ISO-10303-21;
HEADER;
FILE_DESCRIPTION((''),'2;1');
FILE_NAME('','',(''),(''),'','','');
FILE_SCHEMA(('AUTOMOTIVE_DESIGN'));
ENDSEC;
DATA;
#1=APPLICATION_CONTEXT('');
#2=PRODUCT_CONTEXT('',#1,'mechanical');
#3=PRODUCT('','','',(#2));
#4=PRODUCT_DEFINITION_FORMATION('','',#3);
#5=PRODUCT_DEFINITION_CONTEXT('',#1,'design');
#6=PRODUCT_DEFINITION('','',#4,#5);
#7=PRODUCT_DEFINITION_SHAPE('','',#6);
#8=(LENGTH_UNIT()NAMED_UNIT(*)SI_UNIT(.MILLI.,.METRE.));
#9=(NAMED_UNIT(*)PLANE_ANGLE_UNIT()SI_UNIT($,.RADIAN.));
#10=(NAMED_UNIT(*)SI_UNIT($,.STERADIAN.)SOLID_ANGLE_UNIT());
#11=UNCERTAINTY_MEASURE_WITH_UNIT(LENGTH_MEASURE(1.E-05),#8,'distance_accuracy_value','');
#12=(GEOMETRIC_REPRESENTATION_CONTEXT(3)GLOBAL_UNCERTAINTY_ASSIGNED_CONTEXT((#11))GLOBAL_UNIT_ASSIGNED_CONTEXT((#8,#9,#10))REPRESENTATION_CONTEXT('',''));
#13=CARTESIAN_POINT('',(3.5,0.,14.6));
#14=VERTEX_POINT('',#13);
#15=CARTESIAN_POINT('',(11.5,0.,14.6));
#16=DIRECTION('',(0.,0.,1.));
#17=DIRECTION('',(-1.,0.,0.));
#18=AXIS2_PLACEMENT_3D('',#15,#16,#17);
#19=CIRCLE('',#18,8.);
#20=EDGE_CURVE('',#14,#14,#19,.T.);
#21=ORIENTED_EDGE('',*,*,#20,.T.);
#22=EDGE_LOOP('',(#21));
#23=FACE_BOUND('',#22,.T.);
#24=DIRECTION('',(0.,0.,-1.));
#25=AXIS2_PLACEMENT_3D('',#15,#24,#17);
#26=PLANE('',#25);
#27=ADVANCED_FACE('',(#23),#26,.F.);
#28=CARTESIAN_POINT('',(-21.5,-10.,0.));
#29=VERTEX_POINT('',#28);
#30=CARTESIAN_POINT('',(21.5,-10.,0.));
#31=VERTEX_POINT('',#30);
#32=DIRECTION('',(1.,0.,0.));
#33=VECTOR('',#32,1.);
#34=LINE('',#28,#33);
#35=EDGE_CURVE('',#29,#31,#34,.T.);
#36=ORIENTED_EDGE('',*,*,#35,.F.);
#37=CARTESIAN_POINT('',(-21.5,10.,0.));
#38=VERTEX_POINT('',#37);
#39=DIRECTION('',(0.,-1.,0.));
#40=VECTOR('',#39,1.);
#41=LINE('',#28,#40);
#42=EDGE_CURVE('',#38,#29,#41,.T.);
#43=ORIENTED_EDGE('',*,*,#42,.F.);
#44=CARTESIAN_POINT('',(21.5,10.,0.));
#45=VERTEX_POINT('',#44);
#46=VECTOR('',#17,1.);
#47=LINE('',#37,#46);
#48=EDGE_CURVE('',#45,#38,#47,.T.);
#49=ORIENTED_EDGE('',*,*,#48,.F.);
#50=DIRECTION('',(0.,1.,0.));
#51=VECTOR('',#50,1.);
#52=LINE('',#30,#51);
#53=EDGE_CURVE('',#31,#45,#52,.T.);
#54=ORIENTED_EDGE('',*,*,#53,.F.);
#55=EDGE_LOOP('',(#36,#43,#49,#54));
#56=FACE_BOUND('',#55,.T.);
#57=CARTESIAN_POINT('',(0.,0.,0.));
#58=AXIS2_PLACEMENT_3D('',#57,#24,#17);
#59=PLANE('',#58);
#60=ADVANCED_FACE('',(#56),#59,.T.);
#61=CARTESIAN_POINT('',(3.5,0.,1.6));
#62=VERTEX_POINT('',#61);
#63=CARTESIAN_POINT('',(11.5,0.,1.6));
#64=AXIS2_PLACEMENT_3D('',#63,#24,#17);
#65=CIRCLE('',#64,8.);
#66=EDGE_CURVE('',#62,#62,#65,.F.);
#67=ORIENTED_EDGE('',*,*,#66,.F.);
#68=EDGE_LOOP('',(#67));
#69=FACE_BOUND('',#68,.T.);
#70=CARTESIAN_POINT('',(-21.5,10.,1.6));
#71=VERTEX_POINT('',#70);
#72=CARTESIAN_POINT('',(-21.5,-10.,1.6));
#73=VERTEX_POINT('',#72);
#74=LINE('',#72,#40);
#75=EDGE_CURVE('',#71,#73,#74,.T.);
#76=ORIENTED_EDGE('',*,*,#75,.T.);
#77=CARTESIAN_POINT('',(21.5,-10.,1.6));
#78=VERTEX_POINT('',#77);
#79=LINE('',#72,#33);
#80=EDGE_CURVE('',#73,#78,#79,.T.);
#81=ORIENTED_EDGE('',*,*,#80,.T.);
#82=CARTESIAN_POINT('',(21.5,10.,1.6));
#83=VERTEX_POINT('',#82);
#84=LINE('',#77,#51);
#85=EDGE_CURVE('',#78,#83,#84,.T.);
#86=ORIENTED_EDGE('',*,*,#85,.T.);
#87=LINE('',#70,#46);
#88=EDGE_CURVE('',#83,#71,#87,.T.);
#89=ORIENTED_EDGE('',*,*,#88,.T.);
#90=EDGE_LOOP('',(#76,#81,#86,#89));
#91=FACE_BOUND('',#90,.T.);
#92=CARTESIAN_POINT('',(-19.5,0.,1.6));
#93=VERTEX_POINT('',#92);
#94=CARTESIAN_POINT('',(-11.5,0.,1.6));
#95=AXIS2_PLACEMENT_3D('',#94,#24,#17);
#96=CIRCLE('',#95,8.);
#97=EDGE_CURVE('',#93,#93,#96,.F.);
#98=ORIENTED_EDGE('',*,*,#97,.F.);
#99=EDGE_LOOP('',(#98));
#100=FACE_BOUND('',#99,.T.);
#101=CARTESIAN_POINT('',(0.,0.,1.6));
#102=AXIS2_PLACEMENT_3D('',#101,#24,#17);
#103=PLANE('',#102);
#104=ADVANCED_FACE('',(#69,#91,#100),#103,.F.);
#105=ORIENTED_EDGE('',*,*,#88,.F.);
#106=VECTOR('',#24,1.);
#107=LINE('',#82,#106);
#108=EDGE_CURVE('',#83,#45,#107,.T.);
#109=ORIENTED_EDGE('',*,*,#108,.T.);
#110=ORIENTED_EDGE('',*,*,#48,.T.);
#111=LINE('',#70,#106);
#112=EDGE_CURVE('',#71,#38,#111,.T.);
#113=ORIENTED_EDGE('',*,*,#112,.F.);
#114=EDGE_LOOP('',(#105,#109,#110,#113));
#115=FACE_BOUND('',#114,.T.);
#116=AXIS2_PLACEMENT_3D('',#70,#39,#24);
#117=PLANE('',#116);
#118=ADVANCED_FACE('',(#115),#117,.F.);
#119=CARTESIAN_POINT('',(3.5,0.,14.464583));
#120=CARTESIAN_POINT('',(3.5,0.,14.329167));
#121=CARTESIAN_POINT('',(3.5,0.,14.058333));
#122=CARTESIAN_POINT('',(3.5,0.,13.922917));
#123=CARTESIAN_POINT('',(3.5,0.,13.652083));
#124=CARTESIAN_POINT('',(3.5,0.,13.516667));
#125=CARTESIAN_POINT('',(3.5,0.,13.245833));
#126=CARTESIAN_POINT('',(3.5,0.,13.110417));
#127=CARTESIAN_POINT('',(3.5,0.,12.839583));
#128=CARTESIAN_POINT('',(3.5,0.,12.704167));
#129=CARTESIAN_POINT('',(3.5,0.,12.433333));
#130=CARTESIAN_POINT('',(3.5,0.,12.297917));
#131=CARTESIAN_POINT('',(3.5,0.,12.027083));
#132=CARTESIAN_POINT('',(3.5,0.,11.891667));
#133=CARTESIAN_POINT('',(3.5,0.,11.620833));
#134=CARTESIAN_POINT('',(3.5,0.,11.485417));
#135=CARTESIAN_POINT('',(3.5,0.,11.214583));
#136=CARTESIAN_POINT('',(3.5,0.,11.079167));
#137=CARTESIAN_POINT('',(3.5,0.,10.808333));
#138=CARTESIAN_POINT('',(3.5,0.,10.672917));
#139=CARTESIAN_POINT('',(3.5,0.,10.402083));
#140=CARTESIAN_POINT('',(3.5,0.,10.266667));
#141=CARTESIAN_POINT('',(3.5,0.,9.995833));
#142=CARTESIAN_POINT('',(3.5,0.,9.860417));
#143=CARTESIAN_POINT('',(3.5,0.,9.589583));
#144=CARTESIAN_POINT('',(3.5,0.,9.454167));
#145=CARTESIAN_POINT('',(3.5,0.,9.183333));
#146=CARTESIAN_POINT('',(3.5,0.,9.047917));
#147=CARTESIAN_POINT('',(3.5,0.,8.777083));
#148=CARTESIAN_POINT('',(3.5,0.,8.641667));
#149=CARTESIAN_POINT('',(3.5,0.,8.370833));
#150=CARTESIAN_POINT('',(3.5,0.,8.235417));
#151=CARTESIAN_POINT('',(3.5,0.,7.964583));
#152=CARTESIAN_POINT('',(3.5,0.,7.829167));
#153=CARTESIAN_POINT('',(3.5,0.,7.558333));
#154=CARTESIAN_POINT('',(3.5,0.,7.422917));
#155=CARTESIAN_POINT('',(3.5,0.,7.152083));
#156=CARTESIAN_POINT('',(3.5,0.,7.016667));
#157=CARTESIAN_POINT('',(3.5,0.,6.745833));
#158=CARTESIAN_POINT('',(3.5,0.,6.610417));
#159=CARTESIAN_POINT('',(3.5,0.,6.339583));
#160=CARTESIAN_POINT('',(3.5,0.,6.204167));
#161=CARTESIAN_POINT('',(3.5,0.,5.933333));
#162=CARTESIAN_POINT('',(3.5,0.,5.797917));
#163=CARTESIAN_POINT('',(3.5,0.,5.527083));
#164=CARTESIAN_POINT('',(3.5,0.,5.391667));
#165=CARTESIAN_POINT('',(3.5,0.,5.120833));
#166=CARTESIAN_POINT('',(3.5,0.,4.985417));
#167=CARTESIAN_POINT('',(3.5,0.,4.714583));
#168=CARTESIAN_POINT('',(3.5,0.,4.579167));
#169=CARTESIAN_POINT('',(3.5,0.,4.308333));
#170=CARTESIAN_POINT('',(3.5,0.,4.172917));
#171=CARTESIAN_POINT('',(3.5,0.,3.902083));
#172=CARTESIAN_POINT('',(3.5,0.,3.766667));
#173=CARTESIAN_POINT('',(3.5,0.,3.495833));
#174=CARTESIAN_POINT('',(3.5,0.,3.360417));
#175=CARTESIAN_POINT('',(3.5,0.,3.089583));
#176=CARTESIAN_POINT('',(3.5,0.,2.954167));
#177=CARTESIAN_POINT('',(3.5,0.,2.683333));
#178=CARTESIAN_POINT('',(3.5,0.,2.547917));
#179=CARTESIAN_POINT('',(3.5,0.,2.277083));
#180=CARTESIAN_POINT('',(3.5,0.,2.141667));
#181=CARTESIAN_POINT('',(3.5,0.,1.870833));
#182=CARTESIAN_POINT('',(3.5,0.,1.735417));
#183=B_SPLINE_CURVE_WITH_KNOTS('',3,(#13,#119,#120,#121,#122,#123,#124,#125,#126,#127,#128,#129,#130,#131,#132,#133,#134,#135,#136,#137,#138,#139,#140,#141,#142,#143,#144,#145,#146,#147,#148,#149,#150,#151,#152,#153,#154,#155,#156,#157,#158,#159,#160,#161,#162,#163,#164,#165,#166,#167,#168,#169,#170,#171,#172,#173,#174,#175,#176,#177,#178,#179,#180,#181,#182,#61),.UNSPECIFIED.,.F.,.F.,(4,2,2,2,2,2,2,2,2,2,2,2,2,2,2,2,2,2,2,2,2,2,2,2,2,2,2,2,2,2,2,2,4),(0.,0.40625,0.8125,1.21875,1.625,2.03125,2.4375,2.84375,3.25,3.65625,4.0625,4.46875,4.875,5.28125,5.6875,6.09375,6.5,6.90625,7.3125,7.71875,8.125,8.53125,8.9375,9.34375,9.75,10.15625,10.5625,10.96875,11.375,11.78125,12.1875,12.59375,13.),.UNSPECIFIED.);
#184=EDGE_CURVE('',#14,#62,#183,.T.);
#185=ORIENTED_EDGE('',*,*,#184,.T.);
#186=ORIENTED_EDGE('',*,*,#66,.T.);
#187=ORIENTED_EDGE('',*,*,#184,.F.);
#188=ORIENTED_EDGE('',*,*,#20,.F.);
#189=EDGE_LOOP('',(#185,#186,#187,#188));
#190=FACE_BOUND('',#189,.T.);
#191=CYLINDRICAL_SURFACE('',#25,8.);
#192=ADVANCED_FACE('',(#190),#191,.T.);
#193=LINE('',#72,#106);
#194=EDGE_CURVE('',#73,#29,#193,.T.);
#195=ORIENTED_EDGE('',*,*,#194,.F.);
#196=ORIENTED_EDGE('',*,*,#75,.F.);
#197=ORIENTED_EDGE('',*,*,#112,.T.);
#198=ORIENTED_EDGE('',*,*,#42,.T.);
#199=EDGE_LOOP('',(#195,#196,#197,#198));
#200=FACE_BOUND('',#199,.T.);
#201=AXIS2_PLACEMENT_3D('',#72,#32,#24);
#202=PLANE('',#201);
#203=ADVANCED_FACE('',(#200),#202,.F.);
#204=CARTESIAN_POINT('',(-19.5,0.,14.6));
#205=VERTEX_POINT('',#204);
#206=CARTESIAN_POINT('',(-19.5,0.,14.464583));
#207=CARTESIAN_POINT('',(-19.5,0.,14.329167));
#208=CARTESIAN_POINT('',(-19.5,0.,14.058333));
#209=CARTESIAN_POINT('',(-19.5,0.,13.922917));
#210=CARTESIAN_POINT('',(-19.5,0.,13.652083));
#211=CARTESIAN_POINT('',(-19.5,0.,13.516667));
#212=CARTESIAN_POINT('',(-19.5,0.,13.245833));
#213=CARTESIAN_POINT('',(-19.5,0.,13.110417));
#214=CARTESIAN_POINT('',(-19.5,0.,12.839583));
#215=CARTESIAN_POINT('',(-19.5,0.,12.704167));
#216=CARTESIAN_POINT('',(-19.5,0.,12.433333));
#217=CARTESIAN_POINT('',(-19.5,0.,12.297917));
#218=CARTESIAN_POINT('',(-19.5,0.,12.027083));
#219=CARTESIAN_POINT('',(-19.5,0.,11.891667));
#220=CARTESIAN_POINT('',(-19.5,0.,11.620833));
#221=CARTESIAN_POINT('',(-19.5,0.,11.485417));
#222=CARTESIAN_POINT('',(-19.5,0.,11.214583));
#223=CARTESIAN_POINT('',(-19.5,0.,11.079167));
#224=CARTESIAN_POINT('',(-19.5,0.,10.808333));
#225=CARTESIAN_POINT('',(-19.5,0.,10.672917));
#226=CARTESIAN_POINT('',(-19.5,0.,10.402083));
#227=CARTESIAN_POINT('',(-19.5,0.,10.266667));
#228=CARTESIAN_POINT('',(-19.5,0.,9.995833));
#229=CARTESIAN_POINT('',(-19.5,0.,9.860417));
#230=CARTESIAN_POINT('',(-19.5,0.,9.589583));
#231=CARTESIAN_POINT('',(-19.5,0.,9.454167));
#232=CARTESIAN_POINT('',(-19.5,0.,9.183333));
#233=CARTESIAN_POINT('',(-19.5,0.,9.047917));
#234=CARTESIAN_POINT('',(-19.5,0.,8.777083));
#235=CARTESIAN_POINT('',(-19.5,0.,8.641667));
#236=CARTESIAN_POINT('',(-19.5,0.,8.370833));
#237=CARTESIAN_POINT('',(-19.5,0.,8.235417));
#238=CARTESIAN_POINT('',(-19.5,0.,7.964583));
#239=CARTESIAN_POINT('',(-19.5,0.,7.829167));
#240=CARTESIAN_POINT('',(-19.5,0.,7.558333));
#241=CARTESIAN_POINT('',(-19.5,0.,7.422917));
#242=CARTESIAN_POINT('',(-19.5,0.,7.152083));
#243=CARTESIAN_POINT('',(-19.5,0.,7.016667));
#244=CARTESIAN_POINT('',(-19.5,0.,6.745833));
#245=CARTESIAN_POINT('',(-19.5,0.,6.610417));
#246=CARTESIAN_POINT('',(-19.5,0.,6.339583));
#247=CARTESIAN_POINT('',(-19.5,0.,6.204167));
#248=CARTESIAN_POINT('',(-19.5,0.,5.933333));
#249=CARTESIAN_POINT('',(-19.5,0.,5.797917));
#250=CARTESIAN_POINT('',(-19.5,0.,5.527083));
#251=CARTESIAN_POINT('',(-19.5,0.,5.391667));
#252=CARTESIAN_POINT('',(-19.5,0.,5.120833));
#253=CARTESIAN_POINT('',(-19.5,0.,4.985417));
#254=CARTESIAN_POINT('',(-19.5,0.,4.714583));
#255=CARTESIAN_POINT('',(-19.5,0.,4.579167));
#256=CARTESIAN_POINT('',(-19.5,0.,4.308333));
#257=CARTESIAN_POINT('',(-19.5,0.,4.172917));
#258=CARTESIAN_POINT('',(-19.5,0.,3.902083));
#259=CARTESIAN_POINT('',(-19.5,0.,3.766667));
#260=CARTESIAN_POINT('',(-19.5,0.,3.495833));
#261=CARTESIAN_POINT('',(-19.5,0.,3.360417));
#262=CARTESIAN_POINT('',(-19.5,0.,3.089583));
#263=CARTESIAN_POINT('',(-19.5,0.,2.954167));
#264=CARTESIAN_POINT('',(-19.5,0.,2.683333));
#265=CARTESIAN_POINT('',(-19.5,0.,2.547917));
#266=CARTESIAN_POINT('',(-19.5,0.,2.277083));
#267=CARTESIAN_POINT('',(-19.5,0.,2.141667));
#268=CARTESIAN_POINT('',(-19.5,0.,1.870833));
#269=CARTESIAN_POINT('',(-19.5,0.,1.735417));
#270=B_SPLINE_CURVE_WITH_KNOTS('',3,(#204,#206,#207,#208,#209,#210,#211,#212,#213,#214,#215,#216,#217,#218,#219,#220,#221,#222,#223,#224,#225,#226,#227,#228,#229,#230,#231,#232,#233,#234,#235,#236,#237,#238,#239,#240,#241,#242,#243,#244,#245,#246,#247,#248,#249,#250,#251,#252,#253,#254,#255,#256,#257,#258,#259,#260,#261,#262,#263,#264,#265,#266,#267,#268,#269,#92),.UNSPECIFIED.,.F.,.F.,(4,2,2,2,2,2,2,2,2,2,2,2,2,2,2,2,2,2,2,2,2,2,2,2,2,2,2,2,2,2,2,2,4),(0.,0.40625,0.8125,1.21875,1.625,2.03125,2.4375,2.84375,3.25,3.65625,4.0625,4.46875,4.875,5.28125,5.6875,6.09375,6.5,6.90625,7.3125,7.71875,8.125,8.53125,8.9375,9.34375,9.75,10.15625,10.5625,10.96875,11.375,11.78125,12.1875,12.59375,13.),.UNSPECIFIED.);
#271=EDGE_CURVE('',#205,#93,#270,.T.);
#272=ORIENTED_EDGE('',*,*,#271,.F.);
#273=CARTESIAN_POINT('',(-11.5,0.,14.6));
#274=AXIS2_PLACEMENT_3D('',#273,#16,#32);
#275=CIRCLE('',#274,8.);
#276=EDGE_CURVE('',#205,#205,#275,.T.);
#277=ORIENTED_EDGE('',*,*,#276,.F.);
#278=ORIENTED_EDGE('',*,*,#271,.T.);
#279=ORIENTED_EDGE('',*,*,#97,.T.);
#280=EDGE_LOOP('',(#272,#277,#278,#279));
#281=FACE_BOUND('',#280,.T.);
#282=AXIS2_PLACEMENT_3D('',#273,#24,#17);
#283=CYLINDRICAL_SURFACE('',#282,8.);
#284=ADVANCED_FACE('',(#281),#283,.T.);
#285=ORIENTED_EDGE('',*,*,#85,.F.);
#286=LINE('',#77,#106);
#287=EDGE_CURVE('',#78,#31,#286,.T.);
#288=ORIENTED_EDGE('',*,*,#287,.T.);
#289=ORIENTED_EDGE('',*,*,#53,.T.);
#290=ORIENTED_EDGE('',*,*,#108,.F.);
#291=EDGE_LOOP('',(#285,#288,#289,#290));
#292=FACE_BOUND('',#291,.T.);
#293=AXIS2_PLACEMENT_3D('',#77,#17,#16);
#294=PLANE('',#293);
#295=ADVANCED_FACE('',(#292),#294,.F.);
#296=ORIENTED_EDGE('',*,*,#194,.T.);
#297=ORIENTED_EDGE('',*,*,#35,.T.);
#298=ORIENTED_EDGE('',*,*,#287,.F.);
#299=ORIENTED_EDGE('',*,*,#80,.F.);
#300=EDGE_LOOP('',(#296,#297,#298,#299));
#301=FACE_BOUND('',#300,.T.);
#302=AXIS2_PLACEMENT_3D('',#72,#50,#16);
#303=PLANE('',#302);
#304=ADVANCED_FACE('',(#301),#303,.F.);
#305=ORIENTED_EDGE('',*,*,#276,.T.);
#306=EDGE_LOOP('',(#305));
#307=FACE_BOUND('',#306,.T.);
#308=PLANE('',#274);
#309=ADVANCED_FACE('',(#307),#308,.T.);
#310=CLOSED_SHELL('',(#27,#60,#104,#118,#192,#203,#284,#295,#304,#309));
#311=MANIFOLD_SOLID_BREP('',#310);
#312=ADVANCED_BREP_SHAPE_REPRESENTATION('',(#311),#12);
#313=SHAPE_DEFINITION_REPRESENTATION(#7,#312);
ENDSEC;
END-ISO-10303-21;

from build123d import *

# Parameters (mm, degrees)
SKETCH1_W           = 43
SKETCH1_H           = 20
BOSS_EXTRUDE1_DEPTH = 1.6
SKETCH2_R           = 8
BOSS_EXTRUDE2_DEPTH = 13


with BuildPart() as part:
    # Sketch1 → Boss-Extrude1 (new body)
    with BuildSketch(Plane.XY):
        Rectangle(SKETCH1_W, SKETCH1_H)
    extrude(amount=BOSS_EXTRUDE1_DEPTH)

    # Sketch2 → Boss-Extrude2 (add)
    with BuildSketch(Plane.XY.offset(1.6)):
        with Locations(Location((-11.5, 0, 0), (0, 0, 180))):
            Circle(SKETCH2_R)
        with Locations(Location((11.5, 0, 0), (0, 0, 180))):
            Circle(SKETCH2_R)
    extrude(amount=BOSS_EXTRUDE2_DEPTH)


solid = part.part
